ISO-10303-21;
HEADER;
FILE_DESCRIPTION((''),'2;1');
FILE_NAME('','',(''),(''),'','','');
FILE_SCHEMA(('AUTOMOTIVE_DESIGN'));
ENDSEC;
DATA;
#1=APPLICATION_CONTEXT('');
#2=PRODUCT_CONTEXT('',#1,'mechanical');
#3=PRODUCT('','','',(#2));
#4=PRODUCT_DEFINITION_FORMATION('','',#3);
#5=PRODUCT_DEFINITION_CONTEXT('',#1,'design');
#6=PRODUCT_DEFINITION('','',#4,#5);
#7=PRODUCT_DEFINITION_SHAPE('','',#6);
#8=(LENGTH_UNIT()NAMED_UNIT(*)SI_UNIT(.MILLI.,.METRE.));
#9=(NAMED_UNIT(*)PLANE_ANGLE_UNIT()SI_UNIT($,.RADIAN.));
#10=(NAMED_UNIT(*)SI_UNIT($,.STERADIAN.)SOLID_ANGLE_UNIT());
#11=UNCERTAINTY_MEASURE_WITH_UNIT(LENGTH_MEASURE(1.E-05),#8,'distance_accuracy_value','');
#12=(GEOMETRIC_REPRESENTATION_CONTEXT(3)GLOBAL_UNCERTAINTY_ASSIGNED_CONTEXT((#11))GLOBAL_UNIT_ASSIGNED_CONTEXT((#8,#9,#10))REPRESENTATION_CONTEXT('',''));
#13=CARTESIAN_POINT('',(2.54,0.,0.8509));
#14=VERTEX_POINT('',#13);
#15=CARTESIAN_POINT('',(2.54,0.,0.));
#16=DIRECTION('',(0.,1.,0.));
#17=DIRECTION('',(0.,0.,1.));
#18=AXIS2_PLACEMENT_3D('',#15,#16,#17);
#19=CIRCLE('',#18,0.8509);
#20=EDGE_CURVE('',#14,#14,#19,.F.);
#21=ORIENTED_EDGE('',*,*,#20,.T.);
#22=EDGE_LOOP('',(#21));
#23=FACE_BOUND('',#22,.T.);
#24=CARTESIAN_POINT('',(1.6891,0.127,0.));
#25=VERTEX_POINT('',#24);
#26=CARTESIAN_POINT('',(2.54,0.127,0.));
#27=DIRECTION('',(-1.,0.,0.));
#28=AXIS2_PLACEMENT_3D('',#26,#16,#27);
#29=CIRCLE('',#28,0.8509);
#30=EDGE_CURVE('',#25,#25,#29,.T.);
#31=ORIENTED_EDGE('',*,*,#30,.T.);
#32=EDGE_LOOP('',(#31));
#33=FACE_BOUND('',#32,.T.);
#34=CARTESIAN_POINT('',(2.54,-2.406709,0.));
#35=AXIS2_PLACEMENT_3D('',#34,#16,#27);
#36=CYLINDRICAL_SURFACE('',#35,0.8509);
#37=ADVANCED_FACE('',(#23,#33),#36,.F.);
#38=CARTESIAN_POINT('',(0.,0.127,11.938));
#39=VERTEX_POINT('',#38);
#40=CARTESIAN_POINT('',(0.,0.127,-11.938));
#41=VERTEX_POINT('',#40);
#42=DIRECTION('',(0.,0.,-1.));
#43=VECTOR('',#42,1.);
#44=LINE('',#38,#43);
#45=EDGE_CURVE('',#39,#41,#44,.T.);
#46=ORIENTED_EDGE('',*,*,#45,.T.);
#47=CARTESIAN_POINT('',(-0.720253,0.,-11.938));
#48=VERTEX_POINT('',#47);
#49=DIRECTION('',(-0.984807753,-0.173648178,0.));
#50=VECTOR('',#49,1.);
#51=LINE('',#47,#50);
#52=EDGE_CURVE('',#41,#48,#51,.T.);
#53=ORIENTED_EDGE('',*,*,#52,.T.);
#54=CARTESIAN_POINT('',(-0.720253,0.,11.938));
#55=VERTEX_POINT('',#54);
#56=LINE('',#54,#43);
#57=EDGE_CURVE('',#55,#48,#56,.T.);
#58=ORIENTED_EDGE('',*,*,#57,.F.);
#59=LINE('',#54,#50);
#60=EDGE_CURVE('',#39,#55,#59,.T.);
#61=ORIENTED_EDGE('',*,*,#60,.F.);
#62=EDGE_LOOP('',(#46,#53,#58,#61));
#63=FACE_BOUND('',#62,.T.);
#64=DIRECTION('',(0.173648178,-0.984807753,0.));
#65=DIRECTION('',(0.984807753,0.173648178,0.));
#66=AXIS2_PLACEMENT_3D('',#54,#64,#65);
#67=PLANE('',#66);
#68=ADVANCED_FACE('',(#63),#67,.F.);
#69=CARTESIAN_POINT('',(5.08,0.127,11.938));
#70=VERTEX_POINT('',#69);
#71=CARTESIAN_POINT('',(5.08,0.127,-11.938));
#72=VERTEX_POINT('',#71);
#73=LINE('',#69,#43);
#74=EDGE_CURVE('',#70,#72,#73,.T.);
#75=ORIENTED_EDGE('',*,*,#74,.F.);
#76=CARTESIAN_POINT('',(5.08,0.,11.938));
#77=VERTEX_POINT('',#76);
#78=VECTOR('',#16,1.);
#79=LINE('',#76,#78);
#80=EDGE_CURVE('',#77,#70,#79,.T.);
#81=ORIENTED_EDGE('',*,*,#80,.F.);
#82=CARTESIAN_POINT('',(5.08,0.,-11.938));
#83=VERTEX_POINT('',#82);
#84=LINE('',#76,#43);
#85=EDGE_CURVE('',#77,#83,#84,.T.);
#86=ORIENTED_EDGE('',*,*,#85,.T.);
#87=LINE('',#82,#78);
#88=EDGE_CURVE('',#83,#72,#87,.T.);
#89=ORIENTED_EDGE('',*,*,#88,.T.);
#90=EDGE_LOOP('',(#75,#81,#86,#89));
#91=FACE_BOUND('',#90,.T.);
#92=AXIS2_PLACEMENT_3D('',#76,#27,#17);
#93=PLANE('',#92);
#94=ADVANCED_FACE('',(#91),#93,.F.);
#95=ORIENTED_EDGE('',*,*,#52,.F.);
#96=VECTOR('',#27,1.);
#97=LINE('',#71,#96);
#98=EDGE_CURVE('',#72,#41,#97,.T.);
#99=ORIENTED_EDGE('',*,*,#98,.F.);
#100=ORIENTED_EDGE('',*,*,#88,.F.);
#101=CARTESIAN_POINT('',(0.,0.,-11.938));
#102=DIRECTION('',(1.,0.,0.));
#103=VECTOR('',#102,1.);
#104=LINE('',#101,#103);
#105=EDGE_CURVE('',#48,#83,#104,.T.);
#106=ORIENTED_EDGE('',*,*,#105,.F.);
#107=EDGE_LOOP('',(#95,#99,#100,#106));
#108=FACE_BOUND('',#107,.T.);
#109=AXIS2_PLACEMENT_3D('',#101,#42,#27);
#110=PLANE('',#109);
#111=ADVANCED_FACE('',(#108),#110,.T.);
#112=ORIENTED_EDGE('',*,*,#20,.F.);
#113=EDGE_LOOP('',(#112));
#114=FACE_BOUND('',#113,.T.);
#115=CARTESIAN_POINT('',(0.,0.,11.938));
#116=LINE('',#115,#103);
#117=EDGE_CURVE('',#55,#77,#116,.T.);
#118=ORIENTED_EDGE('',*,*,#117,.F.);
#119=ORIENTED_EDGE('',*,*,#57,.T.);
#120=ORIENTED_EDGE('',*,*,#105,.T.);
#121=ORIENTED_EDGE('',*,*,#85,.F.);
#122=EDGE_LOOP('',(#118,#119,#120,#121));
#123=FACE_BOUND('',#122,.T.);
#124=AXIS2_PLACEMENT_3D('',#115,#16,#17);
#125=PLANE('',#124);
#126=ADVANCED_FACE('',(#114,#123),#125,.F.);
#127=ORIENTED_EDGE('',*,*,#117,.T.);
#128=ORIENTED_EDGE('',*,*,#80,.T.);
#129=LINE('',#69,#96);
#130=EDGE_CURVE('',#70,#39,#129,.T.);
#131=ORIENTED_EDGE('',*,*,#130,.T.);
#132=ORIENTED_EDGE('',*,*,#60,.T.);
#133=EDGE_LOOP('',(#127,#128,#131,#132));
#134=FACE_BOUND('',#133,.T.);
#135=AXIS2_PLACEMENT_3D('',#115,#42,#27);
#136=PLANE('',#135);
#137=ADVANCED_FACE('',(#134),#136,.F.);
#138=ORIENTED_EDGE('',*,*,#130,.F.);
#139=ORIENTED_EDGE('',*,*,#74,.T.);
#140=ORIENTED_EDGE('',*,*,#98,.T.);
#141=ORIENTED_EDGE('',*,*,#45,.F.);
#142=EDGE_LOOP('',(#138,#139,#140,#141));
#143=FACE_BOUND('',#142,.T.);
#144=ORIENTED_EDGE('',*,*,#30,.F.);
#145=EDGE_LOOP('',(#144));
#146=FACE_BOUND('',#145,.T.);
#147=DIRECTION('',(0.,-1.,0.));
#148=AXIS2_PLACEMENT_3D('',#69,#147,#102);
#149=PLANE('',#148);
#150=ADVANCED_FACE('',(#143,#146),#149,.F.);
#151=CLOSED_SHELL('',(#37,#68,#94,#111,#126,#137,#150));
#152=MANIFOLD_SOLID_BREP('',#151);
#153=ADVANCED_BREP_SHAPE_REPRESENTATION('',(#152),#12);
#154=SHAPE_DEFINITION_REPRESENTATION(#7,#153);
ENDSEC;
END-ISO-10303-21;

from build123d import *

# Parameters (mm, degrees)
BOSS_EXTRUDE1_DEPTH = 11.938
SKETCH3_R           = 0.8509
CUT_EXTRUDE1_DEPTH  = 0.127


with BuildPart() as part:
    # Sketch2 → Boss-Extrude1 (new, symmetric)
    with BuildSketch(Plane.XY):
        Polygon((0, 0), (5.08, 0), (5.08, 0.127), (0, 0.127), (-0.720252791, 0), align=None)
    extrude(amount=BOSS_EXTRUDE1_DEPTH, both=True)

    # Sketch3 → Cut-Extrude1 (cut)
    with BuildSketch(Plane(origin=(0, 0.127, 0), x_dir=(1, 0, 0), z_dir=(0, 1, 0))):
        with Locations(Location((2.54, 0, 0), (0, 0, 180))):
            Circle(SKETCH3_R)
    extrude(amount=-CUT_EXTRUDE1_DEPTH, mode=Mode.SUBTRACT)


solid = part.part
